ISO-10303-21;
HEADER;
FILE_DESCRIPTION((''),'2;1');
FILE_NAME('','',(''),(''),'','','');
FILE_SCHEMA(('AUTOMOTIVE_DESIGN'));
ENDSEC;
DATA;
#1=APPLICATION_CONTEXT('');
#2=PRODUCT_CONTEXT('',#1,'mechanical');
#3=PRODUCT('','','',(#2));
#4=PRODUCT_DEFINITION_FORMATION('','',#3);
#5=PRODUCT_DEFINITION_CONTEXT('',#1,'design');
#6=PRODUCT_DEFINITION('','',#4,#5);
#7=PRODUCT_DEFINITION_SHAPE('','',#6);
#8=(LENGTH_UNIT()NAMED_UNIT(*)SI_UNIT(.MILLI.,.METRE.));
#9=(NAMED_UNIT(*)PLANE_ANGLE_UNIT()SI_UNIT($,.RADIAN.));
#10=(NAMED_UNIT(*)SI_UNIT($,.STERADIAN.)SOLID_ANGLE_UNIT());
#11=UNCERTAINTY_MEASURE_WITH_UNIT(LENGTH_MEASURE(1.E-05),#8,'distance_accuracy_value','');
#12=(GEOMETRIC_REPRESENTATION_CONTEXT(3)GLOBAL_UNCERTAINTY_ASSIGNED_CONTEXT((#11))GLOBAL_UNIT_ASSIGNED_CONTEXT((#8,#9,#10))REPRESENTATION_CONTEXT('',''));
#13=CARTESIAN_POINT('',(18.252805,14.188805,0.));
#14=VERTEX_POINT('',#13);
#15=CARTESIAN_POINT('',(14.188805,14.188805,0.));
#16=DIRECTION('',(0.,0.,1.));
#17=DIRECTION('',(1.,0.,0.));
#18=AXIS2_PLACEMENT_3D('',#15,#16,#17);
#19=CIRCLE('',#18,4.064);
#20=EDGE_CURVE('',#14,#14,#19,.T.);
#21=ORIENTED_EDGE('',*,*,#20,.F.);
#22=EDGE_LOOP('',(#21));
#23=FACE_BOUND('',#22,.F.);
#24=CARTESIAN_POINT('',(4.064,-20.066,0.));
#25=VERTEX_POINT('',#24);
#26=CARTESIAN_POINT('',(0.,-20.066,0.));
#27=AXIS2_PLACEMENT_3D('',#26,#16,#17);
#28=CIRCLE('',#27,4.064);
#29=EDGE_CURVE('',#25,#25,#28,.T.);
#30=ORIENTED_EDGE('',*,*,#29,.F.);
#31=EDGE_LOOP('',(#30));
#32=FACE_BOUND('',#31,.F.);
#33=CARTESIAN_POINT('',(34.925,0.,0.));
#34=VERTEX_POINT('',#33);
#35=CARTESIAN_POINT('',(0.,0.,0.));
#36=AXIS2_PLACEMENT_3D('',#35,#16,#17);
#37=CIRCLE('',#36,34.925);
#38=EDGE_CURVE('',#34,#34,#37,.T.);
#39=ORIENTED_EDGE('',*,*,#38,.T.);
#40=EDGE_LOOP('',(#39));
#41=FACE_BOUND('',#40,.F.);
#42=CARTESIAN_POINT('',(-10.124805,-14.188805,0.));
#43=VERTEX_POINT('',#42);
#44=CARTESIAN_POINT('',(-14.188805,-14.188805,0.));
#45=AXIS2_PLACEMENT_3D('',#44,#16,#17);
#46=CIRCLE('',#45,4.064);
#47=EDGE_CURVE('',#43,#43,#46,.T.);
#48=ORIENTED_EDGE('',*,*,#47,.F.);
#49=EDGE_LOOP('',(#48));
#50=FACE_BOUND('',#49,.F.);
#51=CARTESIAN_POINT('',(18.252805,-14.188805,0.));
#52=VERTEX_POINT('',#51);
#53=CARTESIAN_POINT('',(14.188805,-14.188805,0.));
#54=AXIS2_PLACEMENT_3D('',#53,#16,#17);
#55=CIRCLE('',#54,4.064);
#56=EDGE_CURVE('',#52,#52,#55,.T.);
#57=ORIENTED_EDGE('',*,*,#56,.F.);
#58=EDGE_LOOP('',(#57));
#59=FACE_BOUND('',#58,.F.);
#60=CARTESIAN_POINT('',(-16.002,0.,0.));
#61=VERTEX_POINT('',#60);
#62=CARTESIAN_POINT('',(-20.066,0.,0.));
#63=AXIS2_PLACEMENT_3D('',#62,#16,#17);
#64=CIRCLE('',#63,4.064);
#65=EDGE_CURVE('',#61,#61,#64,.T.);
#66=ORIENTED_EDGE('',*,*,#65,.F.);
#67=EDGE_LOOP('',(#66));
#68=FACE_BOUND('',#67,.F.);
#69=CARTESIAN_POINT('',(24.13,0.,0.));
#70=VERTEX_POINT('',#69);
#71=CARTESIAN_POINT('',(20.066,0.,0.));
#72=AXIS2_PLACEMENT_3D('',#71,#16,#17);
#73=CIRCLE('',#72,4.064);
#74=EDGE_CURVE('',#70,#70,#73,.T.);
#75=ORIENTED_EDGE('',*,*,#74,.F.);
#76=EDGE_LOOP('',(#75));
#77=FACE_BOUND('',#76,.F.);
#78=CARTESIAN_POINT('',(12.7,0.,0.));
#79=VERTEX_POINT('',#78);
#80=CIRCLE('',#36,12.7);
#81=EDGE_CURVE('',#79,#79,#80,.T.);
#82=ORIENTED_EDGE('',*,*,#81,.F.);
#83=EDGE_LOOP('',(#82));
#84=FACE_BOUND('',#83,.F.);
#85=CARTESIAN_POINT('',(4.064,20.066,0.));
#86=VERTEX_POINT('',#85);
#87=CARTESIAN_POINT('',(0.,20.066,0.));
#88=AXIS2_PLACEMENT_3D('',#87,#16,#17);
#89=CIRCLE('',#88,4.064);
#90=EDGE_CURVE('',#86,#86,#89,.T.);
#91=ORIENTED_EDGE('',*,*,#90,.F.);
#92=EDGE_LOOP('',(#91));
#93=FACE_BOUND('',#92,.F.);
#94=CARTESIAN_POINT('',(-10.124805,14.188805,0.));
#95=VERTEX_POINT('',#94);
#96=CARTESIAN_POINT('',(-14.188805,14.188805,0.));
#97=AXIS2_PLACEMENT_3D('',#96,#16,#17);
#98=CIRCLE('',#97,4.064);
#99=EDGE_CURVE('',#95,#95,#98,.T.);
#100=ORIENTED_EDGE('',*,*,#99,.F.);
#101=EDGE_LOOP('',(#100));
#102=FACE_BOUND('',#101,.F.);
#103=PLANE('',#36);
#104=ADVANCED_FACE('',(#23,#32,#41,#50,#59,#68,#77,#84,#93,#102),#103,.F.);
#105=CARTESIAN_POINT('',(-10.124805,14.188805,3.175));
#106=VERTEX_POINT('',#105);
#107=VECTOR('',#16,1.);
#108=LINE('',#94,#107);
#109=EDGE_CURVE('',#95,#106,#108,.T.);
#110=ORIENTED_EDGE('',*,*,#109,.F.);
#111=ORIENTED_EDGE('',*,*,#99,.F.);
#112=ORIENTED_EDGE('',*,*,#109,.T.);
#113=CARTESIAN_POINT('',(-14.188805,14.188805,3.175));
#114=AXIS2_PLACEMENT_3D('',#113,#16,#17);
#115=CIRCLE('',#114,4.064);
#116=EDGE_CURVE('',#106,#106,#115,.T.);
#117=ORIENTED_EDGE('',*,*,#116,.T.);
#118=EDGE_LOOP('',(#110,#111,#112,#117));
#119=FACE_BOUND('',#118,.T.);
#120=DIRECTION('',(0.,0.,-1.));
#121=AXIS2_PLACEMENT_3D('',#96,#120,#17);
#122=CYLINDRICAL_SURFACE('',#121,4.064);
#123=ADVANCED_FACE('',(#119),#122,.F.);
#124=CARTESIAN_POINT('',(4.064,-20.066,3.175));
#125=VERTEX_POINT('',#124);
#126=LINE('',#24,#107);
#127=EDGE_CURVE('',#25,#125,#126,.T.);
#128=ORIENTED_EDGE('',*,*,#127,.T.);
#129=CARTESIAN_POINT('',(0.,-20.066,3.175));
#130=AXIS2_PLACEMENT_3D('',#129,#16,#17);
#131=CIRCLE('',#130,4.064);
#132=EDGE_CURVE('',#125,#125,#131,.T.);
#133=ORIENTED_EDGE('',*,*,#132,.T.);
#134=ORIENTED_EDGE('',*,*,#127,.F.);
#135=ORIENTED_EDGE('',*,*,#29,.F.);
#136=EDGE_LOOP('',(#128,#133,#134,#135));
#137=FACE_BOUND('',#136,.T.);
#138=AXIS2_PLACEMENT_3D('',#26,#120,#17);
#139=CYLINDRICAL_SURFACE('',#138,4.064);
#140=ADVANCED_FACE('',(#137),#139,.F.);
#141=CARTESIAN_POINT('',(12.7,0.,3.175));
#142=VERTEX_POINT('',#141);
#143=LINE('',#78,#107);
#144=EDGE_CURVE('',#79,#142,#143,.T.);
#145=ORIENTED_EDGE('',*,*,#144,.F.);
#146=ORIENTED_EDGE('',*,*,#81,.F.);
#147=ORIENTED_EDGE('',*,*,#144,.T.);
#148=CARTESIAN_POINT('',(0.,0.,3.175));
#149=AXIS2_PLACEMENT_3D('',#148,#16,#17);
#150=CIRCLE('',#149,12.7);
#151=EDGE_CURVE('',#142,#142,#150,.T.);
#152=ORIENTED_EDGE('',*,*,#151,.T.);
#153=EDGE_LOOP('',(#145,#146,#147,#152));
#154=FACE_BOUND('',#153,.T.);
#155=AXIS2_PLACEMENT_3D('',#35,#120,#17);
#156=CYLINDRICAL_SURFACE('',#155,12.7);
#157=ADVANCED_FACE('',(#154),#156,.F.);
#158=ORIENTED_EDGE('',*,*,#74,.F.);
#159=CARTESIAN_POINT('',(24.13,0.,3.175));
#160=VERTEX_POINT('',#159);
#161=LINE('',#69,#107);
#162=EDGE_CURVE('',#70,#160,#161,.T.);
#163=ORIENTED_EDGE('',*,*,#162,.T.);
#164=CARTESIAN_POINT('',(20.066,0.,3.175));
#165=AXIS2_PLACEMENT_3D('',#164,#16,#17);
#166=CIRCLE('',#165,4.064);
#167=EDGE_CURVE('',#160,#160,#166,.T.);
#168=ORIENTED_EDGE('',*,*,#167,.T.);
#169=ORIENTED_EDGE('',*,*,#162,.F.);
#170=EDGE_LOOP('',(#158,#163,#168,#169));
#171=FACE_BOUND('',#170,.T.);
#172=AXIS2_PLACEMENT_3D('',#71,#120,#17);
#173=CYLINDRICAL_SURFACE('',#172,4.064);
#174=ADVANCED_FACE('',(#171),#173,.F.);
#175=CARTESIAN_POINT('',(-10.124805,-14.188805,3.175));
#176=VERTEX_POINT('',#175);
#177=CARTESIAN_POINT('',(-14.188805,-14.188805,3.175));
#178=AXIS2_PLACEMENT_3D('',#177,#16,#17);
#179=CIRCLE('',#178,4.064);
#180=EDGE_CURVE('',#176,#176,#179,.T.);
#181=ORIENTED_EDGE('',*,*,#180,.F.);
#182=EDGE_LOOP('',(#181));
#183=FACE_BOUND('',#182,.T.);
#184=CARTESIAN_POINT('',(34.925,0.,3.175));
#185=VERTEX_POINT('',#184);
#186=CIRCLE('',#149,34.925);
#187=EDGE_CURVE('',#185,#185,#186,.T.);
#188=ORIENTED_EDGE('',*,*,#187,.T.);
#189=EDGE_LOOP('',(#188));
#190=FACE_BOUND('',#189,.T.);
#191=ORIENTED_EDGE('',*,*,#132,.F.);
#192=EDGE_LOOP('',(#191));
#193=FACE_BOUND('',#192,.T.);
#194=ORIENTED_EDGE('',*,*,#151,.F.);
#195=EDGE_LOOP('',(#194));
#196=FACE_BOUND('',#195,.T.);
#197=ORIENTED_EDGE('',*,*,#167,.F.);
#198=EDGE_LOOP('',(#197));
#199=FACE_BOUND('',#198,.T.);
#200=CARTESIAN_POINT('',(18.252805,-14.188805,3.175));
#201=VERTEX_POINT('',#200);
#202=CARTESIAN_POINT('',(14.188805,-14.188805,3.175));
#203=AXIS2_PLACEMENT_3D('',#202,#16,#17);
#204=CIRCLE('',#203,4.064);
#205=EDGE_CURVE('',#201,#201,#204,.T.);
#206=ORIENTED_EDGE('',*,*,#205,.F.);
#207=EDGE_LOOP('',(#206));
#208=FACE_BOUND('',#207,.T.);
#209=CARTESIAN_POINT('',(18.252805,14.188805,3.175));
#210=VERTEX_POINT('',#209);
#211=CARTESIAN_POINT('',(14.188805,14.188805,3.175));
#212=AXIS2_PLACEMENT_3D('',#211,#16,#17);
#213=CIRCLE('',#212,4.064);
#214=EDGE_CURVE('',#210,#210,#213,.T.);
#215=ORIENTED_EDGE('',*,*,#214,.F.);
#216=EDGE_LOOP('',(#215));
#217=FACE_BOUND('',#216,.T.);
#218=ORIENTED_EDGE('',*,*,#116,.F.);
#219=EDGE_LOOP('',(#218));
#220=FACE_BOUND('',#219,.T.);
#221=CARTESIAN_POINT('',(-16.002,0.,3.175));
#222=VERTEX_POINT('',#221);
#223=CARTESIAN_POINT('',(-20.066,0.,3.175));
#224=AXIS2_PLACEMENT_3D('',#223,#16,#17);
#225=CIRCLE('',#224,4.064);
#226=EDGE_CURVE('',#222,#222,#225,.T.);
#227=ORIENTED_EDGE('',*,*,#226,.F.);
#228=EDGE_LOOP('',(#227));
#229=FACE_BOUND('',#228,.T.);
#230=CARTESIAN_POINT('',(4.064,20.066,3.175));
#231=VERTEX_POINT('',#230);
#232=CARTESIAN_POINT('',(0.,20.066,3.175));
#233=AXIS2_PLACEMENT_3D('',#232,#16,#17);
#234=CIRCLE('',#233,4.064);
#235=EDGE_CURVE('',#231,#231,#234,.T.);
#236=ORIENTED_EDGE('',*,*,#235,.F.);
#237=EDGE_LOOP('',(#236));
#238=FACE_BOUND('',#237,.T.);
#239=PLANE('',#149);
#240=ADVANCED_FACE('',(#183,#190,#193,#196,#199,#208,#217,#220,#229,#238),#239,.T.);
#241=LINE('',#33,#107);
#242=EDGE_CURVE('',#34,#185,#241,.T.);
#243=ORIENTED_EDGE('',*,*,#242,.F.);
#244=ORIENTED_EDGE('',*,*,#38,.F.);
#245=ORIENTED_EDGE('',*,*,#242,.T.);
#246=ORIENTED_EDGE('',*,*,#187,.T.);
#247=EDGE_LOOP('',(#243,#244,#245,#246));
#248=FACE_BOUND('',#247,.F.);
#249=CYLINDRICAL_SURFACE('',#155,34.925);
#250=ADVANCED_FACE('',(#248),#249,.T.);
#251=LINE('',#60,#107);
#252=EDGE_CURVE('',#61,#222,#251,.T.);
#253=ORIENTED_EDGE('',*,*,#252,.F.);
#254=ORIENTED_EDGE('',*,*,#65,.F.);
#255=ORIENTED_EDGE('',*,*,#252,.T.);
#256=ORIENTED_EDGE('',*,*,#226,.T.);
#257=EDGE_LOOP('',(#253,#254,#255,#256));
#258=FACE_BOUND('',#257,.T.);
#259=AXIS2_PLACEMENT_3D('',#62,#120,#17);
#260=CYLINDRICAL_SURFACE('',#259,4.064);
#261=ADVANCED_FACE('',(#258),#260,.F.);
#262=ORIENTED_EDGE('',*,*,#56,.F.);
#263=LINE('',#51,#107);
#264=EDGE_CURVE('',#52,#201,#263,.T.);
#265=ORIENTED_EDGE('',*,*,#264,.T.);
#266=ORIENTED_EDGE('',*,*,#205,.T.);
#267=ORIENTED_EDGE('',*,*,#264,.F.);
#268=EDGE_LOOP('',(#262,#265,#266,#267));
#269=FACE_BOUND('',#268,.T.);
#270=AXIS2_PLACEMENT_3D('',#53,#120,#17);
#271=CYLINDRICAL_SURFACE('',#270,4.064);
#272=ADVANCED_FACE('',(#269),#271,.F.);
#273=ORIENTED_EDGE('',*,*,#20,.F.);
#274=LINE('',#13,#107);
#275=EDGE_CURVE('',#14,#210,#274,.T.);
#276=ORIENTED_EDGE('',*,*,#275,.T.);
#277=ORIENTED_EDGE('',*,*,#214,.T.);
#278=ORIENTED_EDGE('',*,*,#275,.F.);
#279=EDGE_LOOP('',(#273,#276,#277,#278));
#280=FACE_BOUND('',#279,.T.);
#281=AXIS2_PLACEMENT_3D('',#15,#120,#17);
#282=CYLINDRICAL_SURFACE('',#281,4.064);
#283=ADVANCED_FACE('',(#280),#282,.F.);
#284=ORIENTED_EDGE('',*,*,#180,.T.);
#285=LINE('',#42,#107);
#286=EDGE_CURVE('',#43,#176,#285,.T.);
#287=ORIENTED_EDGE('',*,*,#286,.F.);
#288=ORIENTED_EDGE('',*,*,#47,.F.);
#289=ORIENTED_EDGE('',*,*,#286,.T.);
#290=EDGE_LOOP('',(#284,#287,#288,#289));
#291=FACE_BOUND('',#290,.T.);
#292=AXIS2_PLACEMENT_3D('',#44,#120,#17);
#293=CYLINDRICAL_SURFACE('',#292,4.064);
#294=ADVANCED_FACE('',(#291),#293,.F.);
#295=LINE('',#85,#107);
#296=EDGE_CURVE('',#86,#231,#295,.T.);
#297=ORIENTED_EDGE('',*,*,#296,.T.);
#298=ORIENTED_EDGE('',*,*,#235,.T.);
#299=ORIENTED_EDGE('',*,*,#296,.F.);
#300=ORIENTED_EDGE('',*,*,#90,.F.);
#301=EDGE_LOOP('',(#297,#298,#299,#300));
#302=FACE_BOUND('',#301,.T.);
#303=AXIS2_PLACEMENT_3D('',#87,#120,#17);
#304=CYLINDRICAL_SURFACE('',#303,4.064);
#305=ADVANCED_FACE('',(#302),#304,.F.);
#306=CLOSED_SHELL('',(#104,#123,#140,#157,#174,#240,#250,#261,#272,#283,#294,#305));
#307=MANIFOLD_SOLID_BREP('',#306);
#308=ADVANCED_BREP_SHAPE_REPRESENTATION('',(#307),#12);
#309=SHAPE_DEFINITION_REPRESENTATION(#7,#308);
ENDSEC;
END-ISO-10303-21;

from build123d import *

# Parameters (mm, degrees)
F0_R     = 34.925
F0_R_2   = 4.064
F0_R_3   = 12.7
F1_DEPTH = 3.175


with BuildPart() as f1:
    # F0 (on Top) → F1 (new body)
    with BuildSketch(Plane.XY):
        Circle(F0_R)
        with Locations((-14.188805, -14.188805)):
            Circle(F0_R_2, mode=Mode.SUBTRACT)
        with Locations((0, -20.066)):
            Circle(F0_R_2, mode=Mode.SUBTRACT)
        with Locations((14.188805, -14.188805)):
            Circle(F0_R_2, mode=Mode.SUBTRACT)
        with Locations((-20.066, 0)):
            Circle(F0_R_2, mode=Mode.SUBTRACT)
        with Locations((-14.188805, 14.188805)):
            Circle(F0_R_2, mode=Mode.SUBTRACT)
        Circle(F0_R_3, mode=Mode.SUBTRACT)
        with Locations((14.188805, 14.188805)):
            Circle(F0_R_2, mode=Mode.SUBTRACT)
        with Locations((20.066, 0)):
            Circle(F0_R_2, mode=Mode.SUBTRACT)
        with Locations((0, 20.066)):
            Circle(F0_R_2, mode=Mode.SUBTRACT)
    extrude(amount=F1_DEPTH)


solid = f1.part
